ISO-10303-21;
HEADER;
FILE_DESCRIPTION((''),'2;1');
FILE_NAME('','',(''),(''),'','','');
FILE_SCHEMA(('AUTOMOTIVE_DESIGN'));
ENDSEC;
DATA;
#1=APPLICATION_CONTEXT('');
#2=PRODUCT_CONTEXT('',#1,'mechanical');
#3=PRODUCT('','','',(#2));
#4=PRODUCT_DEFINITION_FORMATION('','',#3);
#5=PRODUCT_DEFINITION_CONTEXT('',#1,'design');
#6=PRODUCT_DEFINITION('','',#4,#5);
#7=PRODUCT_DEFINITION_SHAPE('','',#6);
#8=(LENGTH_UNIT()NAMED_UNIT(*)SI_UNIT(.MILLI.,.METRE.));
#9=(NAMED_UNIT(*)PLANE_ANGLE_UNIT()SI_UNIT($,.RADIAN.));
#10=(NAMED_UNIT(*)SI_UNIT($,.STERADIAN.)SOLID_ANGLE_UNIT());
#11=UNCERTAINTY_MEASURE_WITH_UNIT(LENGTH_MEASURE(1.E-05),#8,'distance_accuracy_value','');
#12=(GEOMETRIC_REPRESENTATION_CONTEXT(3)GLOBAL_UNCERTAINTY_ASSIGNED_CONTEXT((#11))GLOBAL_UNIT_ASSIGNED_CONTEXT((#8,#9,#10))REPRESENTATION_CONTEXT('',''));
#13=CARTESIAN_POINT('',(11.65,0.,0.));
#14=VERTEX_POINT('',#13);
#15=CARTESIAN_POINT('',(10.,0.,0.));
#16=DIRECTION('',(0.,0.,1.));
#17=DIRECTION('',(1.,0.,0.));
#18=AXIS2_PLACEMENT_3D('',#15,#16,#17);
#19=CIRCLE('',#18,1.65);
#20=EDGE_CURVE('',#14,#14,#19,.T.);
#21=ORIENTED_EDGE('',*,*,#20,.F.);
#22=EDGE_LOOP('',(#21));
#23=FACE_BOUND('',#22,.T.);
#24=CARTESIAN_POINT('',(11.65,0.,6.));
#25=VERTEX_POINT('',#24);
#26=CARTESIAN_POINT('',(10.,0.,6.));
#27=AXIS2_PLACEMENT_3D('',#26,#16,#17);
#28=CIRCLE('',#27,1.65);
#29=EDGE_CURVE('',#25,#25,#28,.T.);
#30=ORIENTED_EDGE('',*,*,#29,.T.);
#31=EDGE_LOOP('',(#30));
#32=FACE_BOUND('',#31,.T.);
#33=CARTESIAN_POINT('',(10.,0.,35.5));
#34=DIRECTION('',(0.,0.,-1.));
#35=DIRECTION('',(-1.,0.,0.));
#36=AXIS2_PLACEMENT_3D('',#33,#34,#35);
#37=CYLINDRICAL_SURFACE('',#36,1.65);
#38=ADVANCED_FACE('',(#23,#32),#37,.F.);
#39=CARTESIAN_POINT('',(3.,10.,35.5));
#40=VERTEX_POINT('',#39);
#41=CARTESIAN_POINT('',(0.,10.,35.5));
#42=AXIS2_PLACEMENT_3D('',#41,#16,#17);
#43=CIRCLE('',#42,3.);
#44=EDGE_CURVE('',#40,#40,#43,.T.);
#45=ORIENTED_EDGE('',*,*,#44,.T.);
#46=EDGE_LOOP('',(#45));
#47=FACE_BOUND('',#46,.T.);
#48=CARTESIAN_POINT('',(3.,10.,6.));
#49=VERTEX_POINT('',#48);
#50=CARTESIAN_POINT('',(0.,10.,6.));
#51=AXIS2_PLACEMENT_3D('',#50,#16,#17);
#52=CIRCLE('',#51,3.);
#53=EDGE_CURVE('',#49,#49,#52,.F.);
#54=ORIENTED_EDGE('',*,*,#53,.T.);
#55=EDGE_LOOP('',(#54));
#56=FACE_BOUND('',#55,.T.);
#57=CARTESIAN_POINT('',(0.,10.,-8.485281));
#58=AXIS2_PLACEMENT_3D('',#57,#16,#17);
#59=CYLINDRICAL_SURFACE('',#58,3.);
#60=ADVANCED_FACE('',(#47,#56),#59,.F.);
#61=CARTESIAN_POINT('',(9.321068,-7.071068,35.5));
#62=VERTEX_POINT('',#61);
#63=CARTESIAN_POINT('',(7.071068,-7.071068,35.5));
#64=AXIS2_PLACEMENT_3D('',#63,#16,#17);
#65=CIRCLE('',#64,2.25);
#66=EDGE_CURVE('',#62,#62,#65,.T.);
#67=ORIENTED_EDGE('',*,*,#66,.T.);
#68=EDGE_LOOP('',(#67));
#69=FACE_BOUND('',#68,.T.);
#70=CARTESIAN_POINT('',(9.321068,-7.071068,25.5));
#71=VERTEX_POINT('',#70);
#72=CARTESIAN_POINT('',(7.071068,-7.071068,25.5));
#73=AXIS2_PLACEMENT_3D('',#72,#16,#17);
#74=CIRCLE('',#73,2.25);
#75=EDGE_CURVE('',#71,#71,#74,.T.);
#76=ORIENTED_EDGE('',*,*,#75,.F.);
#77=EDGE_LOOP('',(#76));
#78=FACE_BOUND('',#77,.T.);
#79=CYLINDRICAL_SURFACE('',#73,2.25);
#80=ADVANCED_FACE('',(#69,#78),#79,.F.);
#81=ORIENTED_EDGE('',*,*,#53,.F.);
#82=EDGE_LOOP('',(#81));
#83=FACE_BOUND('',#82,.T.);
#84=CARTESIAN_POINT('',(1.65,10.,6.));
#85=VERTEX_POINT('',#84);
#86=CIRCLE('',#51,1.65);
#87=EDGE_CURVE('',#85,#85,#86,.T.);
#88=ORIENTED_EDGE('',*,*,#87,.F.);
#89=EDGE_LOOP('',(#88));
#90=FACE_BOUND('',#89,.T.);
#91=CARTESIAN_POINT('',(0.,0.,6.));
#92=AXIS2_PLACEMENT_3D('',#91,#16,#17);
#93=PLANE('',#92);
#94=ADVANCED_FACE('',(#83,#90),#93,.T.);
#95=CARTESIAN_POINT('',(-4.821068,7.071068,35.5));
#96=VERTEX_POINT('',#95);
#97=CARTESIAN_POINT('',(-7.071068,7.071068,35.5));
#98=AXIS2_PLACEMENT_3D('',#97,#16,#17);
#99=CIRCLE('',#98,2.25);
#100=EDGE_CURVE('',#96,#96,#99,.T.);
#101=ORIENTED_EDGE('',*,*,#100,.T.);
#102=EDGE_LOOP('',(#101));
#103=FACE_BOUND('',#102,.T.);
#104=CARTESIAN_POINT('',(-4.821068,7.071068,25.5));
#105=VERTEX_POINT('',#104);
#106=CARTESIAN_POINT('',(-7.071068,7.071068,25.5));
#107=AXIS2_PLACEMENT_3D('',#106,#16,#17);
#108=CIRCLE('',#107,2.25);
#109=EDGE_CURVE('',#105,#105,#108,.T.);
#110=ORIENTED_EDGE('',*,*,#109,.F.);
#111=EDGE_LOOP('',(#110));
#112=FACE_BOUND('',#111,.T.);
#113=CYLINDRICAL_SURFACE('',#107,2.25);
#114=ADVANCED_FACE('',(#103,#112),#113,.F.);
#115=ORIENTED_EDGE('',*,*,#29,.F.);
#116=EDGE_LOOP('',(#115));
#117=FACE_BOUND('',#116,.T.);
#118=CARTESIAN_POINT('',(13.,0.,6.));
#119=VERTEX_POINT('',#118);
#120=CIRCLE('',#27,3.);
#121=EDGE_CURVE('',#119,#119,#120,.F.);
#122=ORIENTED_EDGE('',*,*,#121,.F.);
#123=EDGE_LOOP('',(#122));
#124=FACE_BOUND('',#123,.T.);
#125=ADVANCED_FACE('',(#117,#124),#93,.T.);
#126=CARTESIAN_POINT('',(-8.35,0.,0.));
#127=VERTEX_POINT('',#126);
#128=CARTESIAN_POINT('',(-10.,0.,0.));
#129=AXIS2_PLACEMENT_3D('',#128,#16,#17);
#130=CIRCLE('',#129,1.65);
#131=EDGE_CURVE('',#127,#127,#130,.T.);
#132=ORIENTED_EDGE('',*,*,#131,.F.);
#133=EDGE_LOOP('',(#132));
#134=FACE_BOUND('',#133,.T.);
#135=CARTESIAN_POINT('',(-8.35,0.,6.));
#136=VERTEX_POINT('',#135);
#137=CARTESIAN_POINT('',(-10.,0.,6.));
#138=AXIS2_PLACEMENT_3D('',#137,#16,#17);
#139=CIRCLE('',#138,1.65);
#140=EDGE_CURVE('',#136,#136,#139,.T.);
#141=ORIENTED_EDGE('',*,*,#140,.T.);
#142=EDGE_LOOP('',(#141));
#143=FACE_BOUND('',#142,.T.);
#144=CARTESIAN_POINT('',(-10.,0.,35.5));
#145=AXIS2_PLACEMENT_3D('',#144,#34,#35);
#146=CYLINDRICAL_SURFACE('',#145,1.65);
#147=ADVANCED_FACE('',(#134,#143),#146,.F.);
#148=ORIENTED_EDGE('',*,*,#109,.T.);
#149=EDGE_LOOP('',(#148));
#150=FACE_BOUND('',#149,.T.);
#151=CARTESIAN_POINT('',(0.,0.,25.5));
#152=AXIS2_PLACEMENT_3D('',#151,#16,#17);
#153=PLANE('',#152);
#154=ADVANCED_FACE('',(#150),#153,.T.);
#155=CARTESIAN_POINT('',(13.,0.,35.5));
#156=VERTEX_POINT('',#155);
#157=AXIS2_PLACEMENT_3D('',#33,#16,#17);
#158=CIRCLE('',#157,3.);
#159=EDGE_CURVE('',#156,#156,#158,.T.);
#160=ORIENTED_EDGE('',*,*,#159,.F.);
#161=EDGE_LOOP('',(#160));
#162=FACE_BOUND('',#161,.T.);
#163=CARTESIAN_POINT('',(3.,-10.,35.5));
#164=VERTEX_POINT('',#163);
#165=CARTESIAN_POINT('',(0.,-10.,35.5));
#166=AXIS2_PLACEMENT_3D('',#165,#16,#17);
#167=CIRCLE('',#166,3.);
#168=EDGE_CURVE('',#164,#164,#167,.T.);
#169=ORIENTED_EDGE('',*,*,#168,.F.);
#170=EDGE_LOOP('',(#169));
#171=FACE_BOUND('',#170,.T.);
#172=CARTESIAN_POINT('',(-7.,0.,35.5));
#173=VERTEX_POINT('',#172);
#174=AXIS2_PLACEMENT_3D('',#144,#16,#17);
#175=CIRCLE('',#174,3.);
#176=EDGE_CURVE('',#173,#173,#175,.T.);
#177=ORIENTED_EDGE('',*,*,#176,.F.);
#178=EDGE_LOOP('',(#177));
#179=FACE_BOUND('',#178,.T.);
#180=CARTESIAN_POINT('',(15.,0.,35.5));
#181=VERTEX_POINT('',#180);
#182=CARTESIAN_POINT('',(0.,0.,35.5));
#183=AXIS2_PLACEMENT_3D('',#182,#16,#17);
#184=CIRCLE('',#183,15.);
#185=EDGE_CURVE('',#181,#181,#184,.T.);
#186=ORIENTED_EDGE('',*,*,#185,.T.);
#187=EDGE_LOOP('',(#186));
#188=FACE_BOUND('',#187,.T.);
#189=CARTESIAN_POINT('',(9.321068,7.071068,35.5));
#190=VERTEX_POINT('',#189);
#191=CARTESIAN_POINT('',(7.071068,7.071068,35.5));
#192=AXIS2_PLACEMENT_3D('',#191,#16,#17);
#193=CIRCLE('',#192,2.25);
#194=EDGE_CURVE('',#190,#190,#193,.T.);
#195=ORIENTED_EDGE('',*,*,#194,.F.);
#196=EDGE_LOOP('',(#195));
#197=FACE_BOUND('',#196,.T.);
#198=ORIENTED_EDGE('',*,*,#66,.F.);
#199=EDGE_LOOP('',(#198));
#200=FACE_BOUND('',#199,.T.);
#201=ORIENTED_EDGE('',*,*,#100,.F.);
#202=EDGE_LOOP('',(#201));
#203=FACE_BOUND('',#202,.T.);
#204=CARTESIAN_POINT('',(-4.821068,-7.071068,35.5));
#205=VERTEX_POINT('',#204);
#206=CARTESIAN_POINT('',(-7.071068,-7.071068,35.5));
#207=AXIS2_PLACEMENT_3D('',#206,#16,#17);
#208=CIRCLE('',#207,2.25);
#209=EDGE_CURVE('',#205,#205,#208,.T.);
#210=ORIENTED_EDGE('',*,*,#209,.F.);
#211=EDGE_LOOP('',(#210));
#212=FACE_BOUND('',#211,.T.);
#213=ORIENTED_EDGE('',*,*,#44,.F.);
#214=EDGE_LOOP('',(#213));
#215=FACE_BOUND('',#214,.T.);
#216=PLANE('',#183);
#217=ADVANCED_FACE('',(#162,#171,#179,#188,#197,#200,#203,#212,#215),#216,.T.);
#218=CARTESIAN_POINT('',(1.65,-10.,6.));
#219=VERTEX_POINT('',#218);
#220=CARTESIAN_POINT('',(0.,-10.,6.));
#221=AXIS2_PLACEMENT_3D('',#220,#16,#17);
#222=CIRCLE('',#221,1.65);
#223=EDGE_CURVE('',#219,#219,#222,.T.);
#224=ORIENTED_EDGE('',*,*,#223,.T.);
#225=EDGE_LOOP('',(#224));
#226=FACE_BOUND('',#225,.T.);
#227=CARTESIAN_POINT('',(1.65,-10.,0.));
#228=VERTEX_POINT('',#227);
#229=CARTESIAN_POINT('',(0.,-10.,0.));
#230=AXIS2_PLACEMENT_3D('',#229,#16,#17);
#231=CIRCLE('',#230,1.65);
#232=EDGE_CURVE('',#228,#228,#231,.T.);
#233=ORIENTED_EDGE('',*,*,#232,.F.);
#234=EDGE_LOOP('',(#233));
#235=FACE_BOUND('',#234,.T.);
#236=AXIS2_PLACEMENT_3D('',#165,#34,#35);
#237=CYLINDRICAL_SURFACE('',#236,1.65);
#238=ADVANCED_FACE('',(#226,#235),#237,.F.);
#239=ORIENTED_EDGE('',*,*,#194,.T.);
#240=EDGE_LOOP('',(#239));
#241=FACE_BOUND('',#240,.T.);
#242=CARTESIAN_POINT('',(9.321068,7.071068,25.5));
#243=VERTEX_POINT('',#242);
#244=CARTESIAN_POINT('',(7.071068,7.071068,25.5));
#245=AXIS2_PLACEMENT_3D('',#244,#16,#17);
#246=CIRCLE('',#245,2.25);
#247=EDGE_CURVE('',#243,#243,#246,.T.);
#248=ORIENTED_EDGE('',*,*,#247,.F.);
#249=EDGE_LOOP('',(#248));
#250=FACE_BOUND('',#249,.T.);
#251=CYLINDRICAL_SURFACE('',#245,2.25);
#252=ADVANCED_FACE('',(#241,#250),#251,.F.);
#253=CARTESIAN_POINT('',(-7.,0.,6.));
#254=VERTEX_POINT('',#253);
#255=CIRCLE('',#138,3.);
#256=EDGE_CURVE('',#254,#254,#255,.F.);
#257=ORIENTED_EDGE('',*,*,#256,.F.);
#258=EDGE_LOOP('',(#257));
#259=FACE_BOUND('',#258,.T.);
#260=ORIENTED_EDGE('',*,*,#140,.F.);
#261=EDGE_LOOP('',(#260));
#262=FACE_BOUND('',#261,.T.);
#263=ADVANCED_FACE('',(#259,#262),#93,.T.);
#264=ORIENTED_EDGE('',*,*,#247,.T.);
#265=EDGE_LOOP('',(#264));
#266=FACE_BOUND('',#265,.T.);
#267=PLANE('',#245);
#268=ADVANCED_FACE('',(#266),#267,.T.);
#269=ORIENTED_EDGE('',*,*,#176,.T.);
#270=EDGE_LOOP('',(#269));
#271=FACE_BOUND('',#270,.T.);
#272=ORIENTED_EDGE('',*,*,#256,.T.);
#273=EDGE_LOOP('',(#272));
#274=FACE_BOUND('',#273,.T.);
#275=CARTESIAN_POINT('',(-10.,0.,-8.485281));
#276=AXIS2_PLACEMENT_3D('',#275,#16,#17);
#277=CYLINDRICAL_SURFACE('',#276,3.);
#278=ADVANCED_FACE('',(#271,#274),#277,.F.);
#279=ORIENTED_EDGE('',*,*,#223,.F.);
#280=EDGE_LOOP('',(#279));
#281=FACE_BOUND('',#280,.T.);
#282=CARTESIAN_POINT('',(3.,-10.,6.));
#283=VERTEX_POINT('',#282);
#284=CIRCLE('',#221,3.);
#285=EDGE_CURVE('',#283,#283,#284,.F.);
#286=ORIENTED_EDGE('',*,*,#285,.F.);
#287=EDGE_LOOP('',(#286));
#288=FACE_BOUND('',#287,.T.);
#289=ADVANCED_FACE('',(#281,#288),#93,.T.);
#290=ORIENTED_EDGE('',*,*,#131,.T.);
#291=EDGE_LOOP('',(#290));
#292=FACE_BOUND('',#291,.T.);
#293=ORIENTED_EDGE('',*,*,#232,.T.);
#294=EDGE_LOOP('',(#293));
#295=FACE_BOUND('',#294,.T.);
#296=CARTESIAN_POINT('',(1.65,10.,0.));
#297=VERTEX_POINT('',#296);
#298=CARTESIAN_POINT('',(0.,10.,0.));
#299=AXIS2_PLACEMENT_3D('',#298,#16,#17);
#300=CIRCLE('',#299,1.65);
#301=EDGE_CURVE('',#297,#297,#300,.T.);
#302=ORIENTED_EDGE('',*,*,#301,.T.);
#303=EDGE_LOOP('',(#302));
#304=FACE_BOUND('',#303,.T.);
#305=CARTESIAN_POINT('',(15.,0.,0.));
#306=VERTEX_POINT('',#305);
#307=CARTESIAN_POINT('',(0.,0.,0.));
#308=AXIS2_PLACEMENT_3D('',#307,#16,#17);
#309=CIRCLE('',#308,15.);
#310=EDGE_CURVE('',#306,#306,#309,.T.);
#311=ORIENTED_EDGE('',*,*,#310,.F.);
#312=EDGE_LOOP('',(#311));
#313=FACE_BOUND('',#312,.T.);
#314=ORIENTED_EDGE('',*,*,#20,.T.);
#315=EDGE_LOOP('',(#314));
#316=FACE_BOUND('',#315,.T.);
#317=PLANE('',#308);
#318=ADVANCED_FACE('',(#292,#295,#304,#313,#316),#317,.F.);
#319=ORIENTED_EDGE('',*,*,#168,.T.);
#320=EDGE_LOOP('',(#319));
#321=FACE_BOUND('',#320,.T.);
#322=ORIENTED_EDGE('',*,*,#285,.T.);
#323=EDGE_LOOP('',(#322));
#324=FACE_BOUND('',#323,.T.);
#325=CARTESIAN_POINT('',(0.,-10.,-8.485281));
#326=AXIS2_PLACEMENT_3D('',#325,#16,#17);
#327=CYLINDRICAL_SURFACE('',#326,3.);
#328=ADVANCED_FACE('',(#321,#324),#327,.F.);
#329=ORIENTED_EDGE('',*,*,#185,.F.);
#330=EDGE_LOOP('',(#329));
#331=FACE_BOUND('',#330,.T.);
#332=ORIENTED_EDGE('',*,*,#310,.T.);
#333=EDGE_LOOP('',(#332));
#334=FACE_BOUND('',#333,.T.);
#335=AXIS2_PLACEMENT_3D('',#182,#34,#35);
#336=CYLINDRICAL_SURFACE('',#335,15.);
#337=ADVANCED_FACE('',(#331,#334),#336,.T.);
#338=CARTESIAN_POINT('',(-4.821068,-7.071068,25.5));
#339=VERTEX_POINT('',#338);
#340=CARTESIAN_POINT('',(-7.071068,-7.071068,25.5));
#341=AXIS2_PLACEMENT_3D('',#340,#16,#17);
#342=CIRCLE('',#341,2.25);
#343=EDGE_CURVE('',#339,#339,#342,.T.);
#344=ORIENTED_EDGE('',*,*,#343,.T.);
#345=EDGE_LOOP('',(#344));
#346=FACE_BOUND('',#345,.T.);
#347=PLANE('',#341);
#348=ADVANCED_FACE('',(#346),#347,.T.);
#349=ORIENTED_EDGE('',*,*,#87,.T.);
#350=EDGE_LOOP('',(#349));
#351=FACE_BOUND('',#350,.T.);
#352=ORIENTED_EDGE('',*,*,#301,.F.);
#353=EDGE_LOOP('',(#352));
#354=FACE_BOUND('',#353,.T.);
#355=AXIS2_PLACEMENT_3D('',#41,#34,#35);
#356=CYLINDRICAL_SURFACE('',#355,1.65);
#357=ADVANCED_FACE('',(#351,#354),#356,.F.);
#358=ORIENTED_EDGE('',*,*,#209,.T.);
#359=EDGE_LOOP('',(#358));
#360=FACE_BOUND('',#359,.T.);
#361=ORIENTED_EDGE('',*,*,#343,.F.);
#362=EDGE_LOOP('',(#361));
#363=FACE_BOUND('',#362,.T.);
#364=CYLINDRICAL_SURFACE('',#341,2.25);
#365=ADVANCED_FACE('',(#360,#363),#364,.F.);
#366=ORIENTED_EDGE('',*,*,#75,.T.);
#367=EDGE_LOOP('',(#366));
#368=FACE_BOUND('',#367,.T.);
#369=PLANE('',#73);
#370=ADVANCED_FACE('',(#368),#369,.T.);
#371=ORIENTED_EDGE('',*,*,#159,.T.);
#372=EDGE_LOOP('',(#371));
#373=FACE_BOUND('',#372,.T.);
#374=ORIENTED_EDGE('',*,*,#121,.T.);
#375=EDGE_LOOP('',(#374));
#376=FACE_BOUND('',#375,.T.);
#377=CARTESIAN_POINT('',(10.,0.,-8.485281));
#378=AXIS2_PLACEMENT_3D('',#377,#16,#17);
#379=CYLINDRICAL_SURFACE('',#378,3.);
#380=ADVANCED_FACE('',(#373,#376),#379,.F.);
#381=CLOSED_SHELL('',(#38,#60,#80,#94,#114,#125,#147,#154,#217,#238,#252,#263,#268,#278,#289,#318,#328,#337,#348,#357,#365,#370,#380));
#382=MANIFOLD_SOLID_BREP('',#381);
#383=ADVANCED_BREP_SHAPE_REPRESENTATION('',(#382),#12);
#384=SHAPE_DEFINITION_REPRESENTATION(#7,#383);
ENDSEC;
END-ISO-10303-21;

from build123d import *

# Parameters (mm, degrees)
SKIZZE1_R                       = 15
SKIZZE1_R_2                     = 1.65
AUFSATZ_LINEAR_AUSTRAGEN1_DEPTH = 35.5
SKIZZE4_R                       = 2.25
SCHNITT_LINEAR_AUSTRAGEN2_DEPTH = 10
SKIZZE3_R                       = 3
SCHNITT_LINEAR_AUSTRAGEN3_DEPTH = 29.5


with BuildPart() as part:
    # Skizze1 → Aufsatz-Linear austragen1 (new body)
    with BuildSketch(Plane.XY):
        Circle(SKIZZE1_R)
        with Locations((0, -10)):
            Circle(SKIZZE1_R_2, mode=Mode.SUBTRACT)
        with Locations((-10, 0)):
            Circle(SKIZZE1_R_2, mode=Mode.SUBTRACT)
        with Locations((0, 10)):
            Circle(SKIZZE1_R_2, mode=Mode.SUBTRACT)
        with Locations((10, 0)):
            Circle(SKIZZE1_R_2, mode=Mode.SUBTRACT)
    extrude(amount=AUFSATZ_LINEAR_AUSTRAGEN1_DEPTH)

    # Skizze4 → Schnitt-Linear austragen2 (cut)
    with BuildSketch(Plane.XY.offset(35.5)):
        with Locations((7.071067812, 7.071067812)):
            Circle(SKIZZE4_R)
        with Locations((7.071067812, -7.071067812)):
            Circle(SKIZZE4_R)
        with Locations((-7.071067812, -7.071067812)):
            Circle(SKIZZE4_R)
        with Locations((-7.071067812, 7.071067812)):
            Circle(SKIZZE4_R)
    extrude(amount=-SCHNITT_LINEAR_AUSTRAGEN2_DEPTH, mode=Mode.SUBTRACT)

    # Skizze3 → Schnitt-Linear austragen3 (cut)
    with BuildSketch(Plane.XY.offset(35.5)):
        with Locations((0, 10)):
            Circle(SKIZZE3_R)
        with Locations((10, 0)):
            Circle(SKIZZE3_R)
        with Locations((0, -10)):
            Circle(SKIZZE3_R)
        with Locations((-10, 0)):
            Circle(SKIZZE3_R)
    extrude(amount=-SCHNITT_LINEAR_AUSTRAGEN3_DEPTH, mode=Mode.SUBTRACT)


solid = part.part
